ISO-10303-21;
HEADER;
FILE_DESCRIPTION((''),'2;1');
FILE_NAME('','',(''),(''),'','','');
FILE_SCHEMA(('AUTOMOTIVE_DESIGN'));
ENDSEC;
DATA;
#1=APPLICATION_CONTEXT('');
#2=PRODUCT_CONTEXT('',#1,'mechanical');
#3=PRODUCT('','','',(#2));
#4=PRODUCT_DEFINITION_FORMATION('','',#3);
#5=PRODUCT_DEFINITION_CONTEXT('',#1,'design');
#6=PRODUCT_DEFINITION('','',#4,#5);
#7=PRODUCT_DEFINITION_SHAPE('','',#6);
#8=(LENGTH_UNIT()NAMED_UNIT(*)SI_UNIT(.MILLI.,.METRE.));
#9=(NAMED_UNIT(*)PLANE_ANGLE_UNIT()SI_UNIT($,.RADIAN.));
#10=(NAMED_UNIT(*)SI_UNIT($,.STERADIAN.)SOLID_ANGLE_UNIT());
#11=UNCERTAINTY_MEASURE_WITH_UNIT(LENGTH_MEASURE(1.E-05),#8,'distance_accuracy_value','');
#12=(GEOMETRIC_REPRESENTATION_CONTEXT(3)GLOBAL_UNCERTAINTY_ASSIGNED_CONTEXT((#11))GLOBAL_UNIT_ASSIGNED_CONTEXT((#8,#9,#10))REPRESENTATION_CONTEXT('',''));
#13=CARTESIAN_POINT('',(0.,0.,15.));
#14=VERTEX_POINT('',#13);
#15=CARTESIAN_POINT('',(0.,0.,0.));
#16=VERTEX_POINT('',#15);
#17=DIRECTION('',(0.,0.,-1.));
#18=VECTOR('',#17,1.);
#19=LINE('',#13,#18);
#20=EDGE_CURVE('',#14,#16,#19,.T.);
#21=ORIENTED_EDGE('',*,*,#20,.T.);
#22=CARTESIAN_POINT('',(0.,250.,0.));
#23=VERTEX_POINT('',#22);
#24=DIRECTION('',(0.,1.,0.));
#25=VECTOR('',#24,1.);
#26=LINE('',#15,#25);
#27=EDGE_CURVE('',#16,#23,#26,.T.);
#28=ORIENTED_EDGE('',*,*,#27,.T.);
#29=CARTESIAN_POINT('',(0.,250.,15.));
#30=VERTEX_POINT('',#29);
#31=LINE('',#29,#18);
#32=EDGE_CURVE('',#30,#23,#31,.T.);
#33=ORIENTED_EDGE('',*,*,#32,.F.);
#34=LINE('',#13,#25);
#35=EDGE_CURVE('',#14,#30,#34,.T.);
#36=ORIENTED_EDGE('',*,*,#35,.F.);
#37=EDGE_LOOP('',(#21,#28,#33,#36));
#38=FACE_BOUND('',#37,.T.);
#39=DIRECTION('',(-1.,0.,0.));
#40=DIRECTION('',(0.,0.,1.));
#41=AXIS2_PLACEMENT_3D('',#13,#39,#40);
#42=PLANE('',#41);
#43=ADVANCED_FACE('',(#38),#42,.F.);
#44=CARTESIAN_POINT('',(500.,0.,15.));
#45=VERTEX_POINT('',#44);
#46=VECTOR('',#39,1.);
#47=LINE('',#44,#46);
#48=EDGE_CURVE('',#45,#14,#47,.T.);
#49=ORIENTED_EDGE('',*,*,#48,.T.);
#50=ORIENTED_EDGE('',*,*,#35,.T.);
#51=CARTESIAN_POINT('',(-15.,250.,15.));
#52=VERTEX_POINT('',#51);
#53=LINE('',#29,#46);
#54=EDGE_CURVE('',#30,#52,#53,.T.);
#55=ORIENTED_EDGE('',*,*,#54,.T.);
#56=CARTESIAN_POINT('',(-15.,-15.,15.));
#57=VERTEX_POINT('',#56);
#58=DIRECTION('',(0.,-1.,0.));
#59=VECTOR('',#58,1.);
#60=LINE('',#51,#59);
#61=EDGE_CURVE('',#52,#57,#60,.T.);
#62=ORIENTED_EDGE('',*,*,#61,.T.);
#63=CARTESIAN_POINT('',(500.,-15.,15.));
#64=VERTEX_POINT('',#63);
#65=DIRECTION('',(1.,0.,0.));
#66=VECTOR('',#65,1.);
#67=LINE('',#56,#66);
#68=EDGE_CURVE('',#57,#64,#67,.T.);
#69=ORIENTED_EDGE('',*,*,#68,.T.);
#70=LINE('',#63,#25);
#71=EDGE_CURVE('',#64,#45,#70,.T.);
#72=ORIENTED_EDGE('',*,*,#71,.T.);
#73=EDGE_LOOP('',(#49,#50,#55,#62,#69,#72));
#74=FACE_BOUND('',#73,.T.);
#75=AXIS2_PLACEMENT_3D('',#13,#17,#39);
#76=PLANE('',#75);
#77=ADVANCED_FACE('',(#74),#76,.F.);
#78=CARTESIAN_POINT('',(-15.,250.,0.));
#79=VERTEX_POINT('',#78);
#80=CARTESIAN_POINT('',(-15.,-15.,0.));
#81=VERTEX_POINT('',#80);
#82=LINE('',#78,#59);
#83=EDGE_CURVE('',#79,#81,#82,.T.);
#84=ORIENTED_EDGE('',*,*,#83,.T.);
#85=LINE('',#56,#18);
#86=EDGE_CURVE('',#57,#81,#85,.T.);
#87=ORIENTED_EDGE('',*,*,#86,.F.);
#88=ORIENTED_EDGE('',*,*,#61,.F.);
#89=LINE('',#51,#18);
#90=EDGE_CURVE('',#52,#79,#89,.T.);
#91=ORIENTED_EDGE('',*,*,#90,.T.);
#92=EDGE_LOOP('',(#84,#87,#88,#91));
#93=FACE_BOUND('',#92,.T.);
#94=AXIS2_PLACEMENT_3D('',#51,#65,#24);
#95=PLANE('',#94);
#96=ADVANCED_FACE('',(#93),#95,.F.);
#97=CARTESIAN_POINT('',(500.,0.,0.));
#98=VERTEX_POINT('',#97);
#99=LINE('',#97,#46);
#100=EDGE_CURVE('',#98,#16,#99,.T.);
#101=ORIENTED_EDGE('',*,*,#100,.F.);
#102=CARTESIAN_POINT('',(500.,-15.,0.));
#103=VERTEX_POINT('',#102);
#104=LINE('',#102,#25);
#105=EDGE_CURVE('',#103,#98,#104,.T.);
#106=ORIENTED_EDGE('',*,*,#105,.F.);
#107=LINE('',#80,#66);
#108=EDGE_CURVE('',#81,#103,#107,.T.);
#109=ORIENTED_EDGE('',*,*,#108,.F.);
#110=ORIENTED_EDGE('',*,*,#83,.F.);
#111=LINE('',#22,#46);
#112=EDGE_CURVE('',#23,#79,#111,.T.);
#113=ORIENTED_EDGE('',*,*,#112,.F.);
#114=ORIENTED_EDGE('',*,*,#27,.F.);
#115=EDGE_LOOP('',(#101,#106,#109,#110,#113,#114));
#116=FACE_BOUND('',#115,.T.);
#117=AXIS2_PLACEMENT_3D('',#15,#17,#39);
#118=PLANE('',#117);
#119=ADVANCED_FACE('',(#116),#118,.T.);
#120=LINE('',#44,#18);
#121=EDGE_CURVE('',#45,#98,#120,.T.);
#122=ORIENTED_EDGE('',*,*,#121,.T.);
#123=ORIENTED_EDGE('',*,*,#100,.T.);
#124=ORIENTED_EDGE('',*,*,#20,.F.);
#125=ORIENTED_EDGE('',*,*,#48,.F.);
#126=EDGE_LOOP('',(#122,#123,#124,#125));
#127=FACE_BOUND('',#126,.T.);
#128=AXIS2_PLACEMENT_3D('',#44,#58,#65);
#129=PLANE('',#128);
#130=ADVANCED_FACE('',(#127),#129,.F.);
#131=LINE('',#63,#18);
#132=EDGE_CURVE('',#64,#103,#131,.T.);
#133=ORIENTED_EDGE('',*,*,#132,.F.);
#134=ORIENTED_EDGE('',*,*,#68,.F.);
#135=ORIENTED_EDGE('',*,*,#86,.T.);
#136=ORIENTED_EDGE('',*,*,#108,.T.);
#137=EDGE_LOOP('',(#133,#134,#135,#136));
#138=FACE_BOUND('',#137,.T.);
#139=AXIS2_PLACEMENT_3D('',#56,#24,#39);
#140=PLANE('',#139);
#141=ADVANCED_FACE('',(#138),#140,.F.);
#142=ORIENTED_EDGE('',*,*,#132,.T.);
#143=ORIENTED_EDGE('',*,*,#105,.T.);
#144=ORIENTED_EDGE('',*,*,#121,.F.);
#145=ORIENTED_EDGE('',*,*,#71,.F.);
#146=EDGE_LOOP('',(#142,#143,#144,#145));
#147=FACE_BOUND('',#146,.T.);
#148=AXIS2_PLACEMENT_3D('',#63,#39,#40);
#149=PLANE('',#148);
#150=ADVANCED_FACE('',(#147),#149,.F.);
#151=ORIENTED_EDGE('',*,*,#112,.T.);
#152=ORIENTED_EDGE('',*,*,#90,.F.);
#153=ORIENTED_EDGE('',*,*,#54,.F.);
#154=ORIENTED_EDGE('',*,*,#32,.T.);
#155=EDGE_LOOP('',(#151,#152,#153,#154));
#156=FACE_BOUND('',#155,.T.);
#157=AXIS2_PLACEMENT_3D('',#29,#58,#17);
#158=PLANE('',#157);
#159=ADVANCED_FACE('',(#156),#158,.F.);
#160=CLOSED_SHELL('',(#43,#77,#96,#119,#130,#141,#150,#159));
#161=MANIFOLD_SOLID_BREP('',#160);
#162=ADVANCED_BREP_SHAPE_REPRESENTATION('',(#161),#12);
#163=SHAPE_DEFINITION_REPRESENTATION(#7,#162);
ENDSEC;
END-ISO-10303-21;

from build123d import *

# Parameters (mm, degrees)
EXTRUDE_1_DEPTH = 15


with BuildPart() as part:
    # 草图1 → 凸台-拉伸1 (new body)
    with BuildSketch(Plane.XY):
        Polygon((0, 0), (0, 250), (-15, 250), (-15, -15), (500, -15), (500, 0), align=None)
    extrude(amount=EXTRUDE_1_DEPTH)


solid = part.part
